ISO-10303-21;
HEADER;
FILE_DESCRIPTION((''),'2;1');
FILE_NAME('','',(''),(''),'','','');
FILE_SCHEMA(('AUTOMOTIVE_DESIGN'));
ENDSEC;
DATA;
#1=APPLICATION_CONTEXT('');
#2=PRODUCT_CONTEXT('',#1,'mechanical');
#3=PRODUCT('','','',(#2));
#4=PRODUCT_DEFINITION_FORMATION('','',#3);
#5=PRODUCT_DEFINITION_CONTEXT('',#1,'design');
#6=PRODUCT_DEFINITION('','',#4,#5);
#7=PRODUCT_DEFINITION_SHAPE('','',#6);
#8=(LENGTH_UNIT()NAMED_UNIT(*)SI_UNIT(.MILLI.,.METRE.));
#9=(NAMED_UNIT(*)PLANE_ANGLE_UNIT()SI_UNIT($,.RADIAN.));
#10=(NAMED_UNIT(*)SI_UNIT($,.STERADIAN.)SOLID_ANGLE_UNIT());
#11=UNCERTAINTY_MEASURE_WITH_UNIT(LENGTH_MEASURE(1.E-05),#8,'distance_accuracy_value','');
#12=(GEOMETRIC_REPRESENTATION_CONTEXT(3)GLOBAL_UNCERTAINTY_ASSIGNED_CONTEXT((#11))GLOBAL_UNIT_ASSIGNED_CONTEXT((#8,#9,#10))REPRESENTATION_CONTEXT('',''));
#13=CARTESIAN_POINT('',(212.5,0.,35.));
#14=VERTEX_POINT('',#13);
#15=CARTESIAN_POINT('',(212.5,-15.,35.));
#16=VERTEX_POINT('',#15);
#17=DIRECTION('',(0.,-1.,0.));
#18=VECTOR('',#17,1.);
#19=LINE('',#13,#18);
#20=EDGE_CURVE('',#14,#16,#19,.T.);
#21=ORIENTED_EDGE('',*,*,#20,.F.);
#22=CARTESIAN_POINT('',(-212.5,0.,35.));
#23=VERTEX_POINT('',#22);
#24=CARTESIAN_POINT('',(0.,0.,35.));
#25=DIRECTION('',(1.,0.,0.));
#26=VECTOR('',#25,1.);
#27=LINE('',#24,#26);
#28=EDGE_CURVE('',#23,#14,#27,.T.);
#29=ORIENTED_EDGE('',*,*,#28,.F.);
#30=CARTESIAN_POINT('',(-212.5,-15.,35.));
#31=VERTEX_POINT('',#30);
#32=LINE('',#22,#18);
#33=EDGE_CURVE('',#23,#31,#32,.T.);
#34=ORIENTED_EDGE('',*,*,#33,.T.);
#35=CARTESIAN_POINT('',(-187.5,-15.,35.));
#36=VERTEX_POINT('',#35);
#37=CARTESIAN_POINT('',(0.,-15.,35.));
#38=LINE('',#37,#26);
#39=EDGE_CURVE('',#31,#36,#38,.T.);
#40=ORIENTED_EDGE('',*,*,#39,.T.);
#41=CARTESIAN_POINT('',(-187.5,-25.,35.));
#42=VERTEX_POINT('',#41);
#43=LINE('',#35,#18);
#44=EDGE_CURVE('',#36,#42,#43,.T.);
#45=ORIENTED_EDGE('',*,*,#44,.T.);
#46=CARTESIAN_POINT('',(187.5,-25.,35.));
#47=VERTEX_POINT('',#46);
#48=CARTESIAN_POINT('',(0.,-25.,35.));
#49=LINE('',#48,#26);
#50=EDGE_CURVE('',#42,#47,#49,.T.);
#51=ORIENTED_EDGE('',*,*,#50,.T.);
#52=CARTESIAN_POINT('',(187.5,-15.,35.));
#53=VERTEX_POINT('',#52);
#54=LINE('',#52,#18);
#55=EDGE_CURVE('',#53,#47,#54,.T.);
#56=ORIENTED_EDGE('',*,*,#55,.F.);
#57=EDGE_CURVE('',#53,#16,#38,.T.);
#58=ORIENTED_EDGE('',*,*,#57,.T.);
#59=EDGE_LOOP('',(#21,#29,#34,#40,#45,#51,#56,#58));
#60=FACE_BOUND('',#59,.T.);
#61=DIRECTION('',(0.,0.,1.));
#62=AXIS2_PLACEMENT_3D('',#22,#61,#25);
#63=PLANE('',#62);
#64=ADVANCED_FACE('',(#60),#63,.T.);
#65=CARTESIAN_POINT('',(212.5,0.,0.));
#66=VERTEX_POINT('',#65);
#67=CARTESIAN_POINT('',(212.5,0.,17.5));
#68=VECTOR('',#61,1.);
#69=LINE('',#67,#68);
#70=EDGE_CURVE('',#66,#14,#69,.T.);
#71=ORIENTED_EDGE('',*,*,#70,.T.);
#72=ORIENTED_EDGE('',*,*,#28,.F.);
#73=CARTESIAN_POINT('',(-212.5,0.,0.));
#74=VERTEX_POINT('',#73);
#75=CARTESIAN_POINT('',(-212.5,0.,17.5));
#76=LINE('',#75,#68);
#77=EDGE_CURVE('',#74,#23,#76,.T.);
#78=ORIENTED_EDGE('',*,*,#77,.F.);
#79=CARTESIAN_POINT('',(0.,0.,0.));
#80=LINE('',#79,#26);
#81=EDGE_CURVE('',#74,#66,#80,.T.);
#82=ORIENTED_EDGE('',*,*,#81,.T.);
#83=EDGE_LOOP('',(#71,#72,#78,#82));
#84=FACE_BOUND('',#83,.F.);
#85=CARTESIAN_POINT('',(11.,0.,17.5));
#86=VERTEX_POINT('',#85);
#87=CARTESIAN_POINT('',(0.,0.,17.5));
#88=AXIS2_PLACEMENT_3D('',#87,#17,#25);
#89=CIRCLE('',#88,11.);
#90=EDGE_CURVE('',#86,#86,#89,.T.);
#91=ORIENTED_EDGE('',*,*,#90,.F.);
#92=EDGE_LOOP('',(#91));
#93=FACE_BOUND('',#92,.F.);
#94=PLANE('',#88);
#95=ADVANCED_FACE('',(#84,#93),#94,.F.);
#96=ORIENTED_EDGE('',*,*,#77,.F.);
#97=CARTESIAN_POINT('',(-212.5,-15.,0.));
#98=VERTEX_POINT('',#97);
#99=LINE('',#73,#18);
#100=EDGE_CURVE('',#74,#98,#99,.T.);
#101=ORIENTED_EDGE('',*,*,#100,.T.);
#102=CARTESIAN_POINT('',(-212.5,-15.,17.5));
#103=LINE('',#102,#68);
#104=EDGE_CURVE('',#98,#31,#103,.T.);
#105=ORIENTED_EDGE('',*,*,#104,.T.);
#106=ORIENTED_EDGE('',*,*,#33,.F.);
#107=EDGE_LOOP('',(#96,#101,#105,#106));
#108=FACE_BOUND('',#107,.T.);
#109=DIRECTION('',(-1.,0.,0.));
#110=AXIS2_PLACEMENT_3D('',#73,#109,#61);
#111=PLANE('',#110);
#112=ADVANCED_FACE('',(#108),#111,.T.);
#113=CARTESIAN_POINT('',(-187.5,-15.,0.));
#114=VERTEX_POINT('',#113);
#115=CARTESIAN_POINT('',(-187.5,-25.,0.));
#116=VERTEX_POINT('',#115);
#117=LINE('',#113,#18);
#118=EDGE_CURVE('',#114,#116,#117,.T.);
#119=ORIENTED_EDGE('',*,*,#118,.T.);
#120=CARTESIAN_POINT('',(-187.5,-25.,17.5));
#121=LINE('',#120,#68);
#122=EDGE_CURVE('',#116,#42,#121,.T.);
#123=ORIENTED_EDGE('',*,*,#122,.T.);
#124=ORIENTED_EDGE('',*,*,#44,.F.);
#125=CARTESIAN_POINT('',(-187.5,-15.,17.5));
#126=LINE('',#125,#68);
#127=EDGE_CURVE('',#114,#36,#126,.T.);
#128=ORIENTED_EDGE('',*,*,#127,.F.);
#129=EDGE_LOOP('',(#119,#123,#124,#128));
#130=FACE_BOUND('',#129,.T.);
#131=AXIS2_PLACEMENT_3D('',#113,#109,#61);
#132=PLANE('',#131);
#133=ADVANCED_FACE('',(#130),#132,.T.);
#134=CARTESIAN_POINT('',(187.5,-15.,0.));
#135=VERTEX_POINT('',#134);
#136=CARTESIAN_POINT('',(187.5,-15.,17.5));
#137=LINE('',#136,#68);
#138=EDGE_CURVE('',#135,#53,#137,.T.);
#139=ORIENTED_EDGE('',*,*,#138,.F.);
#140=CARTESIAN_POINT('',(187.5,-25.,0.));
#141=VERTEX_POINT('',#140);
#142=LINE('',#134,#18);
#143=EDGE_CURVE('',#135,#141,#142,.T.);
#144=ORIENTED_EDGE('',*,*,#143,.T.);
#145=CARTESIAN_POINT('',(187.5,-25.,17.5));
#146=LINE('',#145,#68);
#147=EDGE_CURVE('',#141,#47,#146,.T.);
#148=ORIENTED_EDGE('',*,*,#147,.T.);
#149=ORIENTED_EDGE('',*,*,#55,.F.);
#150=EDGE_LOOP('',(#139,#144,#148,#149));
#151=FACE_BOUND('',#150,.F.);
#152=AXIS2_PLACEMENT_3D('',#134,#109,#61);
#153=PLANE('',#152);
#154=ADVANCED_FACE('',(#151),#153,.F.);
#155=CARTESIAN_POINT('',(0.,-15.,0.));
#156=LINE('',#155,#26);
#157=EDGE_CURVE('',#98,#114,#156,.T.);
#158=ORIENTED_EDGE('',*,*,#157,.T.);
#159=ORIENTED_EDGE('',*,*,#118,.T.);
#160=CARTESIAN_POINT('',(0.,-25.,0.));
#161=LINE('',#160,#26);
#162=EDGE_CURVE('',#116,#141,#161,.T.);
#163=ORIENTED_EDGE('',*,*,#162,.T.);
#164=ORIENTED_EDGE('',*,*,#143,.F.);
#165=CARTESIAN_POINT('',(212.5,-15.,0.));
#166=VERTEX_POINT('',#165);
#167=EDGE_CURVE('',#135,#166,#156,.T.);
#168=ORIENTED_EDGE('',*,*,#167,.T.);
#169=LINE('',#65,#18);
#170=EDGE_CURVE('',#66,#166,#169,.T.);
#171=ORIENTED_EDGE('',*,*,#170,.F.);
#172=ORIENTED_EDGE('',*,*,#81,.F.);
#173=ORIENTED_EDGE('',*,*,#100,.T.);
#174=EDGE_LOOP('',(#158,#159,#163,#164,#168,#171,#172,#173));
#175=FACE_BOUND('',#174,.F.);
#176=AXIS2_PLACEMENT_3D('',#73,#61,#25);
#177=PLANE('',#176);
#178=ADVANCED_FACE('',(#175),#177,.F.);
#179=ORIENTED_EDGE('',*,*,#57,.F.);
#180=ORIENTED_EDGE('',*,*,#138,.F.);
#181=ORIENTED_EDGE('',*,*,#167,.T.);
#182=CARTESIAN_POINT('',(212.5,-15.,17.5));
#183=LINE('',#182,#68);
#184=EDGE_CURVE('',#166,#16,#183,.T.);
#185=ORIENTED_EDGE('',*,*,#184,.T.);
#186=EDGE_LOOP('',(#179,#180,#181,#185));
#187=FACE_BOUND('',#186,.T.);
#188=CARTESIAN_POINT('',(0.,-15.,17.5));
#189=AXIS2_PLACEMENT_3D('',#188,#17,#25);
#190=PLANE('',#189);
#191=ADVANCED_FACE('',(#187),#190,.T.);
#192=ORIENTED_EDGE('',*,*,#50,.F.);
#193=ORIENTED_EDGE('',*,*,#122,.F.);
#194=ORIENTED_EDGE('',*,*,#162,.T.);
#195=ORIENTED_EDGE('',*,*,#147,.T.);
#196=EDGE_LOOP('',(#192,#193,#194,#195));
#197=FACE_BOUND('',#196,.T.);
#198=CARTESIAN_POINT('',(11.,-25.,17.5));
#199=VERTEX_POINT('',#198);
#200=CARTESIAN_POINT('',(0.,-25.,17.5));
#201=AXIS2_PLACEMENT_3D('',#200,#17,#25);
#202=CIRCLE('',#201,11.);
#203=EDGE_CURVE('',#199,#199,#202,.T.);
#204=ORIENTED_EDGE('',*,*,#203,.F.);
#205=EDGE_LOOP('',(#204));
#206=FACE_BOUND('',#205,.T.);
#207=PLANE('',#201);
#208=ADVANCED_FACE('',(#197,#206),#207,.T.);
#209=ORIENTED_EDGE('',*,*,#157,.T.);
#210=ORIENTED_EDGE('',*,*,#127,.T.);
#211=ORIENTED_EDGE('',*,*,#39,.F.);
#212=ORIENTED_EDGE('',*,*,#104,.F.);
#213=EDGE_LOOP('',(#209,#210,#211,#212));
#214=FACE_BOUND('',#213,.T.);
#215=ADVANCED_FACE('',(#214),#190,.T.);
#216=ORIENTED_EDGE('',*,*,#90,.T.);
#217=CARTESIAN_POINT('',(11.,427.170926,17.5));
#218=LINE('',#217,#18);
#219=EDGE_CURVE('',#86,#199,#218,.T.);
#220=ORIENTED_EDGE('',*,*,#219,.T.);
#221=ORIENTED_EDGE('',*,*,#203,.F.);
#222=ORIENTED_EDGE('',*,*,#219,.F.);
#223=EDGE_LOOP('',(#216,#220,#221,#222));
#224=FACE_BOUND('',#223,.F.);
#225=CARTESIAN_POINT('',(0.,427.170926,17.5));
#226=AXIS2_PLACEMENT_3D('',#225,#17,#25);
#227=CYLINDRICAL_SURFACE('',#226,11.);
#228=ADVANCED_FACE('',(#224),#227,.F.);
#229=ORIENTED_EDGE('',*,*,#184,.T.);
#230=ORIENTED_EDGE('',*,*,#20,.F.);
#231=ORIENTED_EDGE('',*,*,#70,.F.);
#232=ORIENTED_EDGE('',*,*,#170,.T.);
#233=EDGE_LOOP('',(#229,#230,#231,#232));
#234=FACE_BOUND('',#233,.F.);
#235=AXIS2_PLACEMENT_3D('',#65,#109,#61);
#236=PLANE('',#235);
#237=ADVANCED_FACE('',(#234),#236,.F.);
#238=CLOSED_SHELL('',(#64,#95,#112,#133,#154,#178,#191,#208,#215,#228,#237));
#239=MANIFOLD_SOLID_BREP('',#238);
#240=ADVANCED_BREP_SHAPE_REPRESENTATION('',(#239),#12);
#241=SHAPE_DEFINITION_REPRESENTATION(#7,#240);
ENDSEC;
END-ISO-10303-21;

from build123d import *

# Parameters (mm, degrees)
F0_W     = 425
F0_H     = 35
F1_DEPTH = 15
F2_W     = 375
F2_H     = 35
F3_DEPTH = 10
F5_D     = 22


with BuildPart() as f1:
    # F0 (on Front) → F1 (new body)
    with BuildSketch(Plane.XZ):
        with Locations((0, 17.5)):
            Rectangle(F0_W, F0_H)
    extrude(amount=F1_DEPTH)

    # F2 (on face) → F3 (join)
    with BuildSketch(Plane.XZ.offset(15)):
        with Locations((0, 17.5)):
            Rectangle(F2_W, F2_H)
    extrude(amount=F3_DEPTH)

    # F5 (through all)
    with Locations(Plane(origin=(0, 0, 0), x_dir=(-1, 0, 0), z_dir=(0, 1, 0))):
        with Locations((0, 17.5)):
            Hole(F5_D / 2)


solid = f1.part
